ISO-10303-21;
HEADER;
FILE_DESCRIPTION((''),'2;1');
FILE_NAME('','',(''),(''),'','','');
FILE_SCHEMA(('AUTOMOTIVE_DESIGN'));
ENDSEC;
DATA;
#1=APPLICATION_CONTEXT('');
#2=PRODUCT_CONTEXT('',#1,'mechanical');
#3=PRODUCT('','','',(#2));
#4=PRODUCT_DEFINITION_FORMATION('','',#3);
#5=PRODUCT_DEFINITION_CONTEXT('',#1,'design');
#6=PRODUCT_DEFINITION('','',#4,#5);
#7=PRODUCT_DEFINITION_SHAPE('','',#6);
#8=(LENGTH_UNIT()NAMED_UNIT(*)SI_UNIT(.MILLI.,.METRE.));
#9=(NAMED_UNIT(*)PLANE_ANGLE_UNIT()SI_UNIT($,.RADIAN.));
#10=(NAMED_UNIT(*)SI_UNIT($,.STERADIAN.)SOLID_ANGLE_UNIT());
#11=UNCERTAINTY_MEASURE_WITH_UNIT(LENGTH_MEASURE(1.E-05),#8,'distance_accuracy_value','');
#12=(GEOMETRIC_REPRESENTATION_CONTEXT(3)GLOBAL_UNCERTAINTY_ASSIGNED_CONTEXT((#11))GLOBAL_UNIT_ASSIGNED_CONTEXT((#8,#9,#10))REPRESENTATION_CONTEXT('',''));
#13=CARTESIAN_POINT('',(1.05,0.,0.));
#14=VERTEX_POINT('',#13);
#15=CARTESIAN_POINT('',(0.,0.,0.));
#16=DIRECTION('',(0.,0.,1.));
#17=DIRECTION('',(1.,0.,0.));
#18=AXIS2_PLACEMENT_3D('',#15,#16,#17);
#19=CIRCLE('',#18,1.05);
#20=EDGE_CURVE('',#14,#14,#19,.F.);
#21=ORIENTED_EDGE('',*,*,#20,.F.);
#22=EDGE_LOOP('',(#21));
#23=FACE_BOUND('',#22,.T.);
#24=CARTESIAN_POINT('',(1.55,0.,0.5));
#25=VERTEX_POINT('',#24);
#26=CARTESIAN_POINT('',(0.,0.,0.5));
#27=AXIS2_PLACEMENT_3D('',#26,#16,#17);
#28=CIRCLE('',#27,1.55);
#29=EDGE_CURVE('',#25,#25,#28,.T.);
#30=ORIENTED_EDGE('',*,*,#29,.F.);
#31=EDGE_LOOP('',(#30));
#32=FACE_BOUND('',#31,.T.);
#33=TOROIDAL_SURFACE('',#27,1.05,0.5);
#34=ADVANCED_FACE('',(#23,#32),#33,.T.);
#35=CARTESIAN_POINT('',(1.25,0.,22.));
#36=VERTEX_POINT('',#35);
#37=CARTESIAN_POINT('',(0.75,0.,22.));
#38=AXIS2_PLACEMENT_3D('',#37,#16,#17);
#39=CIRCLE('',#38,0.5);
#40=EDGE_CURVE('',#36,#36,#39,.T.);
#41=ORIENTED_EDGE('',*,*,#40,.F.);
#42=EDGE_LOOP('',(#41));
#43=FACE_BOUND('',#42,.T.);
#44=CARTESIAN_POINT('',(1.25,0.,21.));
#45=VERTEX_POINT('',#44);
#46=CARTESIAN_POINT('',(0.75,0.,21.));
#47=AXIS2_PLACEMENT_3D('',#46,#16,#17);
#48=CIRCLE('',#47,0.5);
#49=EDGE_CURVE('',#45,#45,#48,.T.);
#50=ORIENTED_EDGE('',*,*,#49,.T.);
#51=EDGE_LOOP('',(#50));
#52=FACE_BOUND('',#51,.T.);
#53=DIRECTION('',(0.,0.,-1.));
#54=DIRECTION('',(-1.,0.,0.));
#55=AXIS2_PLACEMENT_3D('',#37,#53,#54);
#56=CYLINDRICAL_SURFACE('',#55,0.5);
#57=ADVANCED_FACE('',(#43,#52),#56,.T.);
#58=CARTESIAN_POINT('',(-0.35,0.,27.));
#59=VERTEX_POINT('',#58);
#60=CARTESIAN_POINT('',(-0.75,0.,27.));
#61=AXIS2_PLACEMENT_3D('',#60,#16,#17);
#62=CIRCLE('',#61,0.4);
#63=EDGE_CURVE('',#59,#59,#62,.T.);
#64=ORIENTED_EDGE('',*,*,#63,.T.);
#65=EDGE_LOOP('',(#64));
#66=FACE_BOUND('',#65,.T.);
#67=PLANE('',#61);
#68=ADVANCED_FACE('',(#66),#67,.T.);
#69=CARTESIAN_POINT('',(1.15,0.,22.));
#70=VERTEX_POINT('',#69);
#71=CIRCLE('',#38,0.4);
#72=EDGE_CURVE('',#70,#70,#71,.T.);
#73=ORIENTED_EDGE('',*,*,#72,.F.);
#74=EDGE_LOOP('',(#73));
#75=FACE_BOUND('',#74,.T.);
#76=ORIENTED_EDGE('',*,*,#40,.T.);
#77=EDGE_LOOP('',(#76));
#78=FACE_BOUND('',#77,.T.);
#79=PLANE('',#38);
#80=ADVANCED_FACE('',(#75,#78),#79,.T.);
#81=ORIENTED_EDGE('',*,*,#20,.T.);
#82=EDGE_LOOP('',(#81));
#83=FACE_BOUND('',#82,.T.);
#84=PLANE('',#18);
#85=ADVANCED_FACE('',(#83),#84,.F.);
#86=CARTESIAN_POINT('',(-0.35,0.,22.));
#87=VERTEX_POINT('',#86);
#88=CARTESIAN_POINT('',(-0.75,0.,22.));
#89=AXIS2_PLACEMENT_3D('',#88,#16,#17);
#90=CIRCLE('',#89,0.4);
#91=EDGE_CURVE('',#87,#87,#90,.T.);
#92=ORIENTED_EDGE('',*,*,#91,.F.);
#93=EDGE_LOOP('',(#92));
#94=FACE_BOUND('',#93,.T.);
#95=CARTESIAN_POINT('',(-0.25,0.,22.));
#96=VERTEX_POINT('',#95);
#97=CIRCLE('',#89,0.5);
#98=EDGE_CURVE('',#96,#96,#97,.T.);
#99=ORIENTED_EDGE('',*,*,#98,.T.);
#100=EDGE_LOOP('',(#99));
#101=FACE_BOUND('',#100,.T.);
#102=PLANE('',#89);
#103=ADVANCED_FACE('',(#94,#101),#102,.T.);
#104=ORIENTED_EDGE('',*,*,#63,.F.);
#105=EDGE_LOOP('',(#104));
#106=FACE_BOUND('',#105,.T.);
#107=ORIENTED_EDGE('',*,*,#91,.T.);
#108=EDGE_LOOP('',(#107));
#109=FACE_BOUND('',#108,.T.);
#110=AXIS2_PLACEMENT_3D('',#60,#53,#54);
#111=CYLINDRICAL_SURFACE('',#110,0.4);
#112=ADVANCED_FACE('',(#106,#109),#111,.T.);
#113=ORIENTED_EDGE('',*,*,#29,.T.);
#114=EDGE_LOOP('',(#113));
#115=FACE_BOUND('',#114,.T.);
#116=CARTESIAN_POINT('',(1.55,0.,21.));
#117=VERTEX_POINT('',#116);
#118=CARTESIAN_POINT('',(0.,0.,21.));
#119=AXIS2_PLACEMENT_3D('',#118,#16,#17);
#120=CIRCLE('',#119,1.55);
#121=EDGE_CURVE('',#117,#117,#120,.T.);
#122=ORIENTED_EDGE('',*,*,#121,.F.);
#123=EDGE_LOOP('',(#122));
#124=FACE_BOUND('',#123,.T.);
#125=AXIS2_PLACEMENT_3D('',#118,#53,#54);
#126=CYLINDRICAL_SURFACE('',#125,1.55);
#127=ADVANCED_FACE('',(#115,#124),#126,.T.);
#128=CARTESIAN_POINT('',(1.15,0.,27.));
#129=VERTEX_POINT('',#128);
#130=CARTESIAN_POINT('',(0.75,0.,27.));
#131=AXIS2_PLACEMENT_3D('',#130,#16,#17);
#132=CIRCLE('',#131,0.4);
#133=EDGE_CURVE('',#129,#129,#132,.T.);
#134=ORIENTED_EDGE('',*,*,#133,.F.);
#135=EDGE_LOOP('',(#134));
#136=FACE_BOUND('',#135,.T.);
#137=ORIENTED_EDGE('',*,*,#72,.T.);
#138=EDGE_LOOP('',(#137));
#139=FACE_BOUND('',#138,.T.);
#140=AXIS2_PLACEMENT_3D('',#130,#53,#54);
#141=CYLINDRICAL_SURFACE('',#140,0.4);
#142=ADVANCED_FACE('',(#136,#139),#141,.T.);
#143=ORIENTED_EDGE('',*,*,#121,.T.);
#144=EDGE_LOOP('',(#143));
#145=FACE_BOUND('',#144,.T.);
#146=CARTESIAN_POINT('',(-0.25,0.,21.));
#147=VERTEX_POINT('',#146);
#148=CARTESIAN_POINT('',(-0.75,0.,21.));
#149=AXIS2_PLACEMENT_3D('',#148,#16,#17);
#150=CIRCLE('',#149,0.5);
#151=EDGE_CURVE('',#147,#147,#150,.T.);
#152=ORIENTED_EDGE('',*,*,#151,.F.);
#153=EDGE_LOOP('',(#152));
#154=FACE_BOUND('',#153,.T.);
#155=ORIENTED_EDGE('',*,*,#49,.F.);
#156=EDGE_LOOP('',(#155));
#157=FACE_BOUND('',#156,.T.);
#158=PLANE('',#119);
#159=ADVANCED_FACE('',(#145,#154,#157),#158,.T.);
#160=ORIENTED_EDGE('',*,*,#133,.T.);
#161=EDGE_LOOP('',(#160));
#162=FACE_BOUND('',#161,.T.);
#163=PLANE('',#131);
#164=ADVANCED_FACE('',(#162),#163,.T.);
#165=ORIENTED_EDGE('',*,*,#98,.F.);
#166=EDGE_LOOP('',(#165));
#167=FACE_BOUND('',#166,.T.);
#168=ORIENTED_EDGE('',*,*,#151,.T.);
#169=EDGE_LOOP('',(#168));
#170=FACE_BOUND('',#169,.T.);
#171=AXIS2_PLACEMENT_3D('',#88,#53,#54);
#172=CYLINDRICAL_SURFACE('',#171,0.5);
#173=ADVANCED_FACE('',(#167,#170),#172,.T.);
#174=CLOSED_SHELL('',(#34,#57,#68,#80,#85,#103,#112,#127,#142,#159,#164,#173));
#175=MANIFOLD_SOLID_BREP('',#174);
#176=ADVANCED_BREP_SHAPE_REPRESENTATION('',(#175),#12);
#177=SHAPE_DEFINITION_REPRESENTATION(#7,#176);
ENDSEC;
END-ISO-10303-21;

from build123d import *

# Parameters (mm, degrees)
CROQUIS1_R              = 1.55
SALIENTE_EXTRUIR1_DEPTH = 21
CROQUIS2_R              = 0.4
SALIENTE_EXTRUIR2_DEPTH = 6
CROQUIS3_R              = 0.5
CROQUIS3_R_2            = 0.4
SALIENTE_EXTRUIR3_DEPTH = 1
REDONDEO1_R             = 0.5


with BuildPart() as part:
    # Croquis1 → Saliente-Extruir1 (new body)
    with BuildSketch(Plane.XY):
        Circle(CROQUIS1_R)
    extrude(amount=SALIENTE_EXTRUIR1_DEPTH)

    # Croquis2 → Saliente-Extruir2 (add)
    with BuildSketch(Plane.XY.offset(21)):
        with Locations((0.75, 0)):
            Circle(CROQUIS2_R)
        with Locations((-0.75, 0)):
            Circle(CROQUIS2_R)
    extrude(amount=SALIENTE_EXTRUIR2_DEPTH)

    # Croquis3 → Saliente-Extruir3 (add)
    with BuildSketch(Plane.XY.offset(21)):
        with Locations((-0.75, 0)):
            Circle(CROQUIS3_R)
        with Locations((-0.75, 0)):
            Circle(CROQUIS3_R_2, mode=Mode.SUBTRACT)
        with Locations((0.75, 0)):
            Circle(CROQUIS3_R)
        with Locations((0.75, 0)):
            Circle(CROQUIS3_R_2, mode=Mode.SUBTRACT)
    extrude(amount=SALIENTE_EXTRUIR3_DEPTH)

    # Redondeo1
    redondeo1_edges = [part.edges().sort_by_distance(p)[0] for p in [
        (-1.55, 0, 0),
    ]]
    fillet(redondeo1_edges, radius=REDONDEO1_R)


solid = part.part
